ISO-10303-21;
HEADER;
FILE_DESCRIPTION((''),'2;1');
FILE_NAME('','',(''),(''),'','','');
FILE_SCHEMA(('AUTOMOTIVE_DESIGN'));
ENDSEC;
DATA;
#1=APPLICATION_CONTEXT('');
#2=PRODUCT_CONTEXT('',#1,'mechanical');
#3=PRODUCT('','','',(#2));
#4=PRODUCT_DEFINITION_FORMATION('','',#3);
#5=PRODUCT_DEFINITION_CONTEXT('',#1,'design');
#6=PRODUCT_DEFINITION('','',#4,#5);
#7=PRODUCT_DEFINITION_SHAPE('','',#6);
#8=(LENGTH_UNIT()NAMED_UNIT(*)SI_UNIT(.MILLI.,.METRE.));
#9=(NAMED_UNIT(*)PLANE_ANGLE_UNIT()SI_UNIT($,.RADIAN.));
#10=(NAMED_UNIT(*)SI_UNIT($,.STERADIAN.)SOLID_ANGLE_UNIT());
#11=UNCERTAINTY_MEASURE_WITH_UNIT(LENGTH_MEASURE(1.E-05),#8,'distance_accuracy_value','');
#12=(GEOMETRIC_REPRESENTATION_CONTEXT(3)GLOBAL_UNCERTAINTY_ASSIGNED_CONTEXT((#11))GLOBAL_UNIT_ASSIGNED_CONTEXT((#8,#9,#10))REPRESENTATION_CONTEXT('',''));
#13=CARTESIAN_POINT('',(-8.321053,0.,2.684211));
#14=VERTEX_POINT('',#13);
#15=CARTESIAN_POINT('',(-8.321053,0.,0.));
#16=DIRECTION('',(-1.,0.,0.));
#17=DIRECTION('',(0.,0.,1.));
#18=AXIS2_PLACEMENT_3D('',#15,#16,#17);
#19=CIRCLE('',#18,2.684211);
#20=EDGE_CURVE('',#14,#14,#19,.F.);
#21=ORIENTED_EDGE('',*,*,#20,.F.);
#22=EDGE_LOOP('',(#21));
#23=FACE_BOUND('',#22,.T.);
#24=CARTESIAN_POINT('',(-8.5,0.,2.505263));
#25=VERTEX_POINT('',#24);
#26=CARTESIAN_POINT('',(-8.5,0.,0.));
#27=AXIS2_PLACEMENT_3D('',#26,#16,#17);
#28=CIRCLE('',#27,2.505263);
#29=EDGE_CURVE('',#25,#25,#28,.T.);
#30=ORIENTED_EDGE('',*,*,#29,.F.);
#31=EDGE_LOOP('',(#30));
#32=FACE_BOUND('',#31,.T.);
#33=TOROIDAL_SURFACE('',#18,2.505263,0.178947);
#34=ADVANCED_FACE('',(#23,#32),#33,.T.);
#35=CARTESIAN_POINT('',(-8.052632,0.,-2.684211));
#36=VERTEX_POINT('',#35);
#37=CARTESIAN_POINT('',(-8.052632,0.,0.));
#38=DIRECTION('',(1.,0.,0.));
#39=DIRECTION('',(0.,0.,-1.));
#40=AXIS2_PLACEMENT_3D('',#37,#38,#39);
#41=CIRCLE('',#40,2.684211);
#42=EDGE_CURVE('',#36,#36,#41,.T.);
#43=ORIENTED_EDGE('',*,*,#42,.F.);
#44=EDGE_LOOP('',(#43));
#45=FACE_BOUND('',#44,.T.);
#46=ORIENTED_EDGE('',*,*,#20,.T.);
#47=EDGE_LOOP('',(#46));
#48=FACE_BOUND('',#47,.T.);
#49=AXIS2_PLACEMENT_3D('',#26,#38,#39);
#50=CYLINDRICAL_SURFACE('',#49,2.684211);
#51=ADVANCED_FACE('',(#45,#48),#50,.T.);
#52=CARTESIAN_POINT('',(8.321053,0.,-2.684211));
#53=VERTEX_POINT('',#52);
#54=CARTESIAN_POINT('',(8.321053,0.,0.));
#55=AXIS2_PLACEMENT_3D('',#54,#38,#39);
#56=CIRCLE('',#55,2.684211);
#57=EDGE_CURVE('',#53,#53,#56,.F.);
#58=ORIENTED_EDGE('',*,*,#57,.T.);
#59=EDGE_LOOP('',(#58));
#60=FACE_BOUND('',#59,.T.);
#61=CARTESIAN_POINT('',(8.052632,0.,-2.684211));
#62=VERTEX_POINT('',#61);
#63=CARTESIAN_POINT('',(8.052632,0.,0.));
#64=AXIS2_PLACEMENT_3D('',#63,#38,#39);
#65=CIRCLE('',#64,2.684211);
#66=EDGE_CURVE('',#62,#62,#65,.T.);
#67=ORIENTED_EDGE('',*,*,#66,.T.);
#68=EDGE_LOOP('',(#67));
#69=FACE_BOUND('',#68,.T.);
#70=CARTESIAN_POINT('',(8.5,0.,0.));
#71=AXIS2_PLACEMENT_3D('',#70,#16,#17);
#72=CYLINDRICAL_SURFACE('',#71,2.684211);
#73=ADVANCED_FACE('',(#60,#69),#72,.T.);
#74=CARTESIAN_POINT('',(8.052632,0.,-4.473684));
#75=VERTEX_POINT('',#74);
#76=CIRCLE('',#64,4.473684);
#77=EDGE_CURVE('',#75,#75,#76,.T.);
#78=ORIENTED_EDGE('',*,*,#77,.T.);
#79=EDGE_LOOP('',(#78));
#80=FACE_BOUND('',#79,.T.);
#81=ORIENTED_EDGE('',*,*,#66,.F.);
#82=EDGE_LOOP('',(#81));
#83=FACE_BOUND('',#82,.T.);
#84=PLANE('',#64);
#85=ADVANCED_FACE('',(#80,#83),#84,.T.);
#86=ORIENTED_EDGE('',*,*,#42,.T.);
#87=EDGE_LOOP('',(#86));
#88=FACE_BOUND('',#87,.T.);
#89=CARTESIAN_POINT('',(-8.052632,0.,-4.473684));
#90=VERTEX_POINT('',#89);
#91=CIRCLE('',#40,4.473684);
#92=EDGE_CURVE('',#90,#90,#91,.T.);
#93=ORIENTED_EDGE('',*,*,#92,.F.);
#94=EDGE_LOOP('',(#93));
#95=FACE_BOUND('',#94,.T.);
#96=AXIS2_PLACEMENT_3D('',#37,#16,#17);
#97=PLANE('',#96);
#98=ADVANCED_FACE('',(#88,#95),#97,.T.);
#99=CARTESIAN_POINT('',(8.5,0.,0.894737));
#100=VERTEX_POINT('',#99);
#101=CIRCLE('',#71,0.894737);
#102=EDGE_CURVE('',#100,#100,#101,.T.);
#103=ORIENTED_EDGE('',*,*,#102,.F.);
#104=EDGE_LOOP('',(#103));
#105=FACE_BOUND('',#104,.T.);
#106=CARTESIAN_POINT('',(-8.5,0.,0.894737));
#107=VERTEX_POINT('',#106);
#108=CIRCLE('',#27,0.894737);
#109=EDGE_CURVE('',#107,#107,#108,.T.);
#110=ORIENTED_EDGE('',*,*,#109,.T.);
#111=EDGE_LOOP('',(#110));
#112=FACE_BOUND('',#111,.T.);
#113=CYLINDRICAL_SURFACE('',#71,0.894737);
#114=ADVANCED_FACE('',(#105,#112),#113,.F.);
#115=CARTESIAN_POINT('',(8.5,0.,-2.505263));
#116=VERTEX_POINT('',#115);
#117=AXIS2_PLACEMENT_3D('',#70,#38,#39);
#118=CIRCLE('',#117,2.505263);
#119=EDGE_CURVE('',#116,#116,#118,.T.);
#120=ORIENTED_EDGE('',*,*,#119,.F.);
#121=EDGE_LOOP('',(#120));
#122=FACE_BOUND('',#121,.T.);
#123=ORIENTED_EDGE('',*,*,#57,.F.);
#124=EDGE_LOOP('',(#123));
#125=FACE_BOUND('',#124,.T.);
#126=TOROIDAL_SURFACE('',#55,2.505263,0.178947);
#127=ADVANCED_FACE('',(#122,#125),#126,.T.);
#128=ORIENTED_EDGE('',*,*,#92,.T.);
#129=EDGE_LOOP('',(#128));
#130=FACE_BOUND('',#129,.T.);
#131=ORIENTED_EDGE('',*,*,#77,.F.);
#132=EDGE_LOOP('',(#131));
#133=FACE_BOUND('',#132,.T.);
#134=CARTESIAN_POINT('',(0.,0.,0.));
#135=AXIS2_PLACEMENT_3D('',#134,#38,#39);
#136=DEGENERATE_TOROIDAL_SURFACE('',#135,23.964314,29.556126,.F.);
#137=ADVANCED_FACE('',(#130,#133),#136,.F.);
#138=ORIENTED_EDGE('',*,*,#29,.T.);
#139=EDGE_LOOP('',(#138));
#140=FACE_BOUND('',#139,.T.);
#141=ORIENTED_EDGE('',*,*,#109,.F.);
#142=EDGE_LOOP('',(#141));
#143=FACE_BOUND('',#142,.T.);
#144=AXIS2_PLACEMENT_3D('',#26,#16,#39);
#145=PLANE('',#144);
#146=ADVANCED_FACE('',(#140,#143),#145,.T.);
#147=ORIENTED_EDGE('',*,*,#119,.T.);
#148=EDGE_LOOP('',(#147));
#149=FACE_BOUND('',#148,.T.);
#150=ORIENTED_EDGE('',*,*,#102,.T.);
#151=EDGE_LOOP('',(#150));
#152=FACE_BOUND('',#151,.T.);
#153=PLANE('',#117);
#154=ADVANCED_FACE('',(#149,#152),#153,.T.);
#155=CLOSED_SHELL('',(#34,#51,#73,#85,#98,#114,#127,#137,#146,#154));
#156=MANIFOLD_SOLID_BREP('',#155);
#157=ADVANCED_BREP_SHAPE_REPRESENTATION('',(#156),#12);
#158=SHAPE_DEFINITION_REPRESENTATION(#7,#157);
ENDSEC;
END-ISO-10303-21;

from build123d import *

# Parameters (mm, degrees)
SKETCH3_R           = 3
BOSS_EXTRUDE1_DEPTH = 0.5
SKETCH4_R           = 1
CUT_EXTRUDE2_DEPTH  = 20
FILLET1_R           = 0.2
SCALE_1_SCALE       = 0.894736842


with BuildPart() as part:
    # Sketch1 → Revolve1 (revolve)
    with BuildSketch(Plane(origin=(0, 0, 0), x_dir=(1, 0, 0), z_dir=(0, 1, 0))):
        with BuildLine():
            Line((0, 0), (-9, 0))
            Line((-9, 0), (-9, 5))
            ThreePointArc((-9, 5), (0, 6.249672879), (9, 5))
            Line((9, 5), (9, 0))
            Line((9, 0), (0, 0))
        make_face()
    revolve(axis=Axis((0, 0, 0), (-1, 0, 0)))

    # Sketch3 → Boss-Extrude1 (add)
    with BuildSketch(Plane(origin=(9, 0, 0), x_dir=(0, 0, -1), z_dir=(1, 0, 0))):
        Circle(SKETCH3_R)
    boss_extrude1 = extrude(amount=BOSS_EXTRUDE1_DEPTH)

    # Mirror1: Boss-Extrude1 across plane
    add(boss_extrude1.mirror(Plane(origin=(0, 0, 0), x_dir=(0, 0, 1), z_dir=(1, 0, 0))))

    # Sketch4 → Cut-Extrude2 (cut, through all)
    with BuildSketch(Plane.ZY.offset(9.5)):
        Circle(SKETCH4_R)
    extrude(amount=-CUT_EXTRUDE2_DEPTH, mode=Mode.SUBTRACT)

    # Fillet1
    fillet1_edges = [part.edges().sort_by_distance(p)[0] for p in [
        (9.5, 0, 3),
        (-9.5, 0, 3),
    ]]
    fillet(fillet1_edges, radius=FILLET1_R)


with BuildPart() as part_1:
    # ｽｹｰﾙ1: scaled about (0, 0, 0)
    add(part.part.scale(SCALE_1_SCALE))


solid = part_1.part
